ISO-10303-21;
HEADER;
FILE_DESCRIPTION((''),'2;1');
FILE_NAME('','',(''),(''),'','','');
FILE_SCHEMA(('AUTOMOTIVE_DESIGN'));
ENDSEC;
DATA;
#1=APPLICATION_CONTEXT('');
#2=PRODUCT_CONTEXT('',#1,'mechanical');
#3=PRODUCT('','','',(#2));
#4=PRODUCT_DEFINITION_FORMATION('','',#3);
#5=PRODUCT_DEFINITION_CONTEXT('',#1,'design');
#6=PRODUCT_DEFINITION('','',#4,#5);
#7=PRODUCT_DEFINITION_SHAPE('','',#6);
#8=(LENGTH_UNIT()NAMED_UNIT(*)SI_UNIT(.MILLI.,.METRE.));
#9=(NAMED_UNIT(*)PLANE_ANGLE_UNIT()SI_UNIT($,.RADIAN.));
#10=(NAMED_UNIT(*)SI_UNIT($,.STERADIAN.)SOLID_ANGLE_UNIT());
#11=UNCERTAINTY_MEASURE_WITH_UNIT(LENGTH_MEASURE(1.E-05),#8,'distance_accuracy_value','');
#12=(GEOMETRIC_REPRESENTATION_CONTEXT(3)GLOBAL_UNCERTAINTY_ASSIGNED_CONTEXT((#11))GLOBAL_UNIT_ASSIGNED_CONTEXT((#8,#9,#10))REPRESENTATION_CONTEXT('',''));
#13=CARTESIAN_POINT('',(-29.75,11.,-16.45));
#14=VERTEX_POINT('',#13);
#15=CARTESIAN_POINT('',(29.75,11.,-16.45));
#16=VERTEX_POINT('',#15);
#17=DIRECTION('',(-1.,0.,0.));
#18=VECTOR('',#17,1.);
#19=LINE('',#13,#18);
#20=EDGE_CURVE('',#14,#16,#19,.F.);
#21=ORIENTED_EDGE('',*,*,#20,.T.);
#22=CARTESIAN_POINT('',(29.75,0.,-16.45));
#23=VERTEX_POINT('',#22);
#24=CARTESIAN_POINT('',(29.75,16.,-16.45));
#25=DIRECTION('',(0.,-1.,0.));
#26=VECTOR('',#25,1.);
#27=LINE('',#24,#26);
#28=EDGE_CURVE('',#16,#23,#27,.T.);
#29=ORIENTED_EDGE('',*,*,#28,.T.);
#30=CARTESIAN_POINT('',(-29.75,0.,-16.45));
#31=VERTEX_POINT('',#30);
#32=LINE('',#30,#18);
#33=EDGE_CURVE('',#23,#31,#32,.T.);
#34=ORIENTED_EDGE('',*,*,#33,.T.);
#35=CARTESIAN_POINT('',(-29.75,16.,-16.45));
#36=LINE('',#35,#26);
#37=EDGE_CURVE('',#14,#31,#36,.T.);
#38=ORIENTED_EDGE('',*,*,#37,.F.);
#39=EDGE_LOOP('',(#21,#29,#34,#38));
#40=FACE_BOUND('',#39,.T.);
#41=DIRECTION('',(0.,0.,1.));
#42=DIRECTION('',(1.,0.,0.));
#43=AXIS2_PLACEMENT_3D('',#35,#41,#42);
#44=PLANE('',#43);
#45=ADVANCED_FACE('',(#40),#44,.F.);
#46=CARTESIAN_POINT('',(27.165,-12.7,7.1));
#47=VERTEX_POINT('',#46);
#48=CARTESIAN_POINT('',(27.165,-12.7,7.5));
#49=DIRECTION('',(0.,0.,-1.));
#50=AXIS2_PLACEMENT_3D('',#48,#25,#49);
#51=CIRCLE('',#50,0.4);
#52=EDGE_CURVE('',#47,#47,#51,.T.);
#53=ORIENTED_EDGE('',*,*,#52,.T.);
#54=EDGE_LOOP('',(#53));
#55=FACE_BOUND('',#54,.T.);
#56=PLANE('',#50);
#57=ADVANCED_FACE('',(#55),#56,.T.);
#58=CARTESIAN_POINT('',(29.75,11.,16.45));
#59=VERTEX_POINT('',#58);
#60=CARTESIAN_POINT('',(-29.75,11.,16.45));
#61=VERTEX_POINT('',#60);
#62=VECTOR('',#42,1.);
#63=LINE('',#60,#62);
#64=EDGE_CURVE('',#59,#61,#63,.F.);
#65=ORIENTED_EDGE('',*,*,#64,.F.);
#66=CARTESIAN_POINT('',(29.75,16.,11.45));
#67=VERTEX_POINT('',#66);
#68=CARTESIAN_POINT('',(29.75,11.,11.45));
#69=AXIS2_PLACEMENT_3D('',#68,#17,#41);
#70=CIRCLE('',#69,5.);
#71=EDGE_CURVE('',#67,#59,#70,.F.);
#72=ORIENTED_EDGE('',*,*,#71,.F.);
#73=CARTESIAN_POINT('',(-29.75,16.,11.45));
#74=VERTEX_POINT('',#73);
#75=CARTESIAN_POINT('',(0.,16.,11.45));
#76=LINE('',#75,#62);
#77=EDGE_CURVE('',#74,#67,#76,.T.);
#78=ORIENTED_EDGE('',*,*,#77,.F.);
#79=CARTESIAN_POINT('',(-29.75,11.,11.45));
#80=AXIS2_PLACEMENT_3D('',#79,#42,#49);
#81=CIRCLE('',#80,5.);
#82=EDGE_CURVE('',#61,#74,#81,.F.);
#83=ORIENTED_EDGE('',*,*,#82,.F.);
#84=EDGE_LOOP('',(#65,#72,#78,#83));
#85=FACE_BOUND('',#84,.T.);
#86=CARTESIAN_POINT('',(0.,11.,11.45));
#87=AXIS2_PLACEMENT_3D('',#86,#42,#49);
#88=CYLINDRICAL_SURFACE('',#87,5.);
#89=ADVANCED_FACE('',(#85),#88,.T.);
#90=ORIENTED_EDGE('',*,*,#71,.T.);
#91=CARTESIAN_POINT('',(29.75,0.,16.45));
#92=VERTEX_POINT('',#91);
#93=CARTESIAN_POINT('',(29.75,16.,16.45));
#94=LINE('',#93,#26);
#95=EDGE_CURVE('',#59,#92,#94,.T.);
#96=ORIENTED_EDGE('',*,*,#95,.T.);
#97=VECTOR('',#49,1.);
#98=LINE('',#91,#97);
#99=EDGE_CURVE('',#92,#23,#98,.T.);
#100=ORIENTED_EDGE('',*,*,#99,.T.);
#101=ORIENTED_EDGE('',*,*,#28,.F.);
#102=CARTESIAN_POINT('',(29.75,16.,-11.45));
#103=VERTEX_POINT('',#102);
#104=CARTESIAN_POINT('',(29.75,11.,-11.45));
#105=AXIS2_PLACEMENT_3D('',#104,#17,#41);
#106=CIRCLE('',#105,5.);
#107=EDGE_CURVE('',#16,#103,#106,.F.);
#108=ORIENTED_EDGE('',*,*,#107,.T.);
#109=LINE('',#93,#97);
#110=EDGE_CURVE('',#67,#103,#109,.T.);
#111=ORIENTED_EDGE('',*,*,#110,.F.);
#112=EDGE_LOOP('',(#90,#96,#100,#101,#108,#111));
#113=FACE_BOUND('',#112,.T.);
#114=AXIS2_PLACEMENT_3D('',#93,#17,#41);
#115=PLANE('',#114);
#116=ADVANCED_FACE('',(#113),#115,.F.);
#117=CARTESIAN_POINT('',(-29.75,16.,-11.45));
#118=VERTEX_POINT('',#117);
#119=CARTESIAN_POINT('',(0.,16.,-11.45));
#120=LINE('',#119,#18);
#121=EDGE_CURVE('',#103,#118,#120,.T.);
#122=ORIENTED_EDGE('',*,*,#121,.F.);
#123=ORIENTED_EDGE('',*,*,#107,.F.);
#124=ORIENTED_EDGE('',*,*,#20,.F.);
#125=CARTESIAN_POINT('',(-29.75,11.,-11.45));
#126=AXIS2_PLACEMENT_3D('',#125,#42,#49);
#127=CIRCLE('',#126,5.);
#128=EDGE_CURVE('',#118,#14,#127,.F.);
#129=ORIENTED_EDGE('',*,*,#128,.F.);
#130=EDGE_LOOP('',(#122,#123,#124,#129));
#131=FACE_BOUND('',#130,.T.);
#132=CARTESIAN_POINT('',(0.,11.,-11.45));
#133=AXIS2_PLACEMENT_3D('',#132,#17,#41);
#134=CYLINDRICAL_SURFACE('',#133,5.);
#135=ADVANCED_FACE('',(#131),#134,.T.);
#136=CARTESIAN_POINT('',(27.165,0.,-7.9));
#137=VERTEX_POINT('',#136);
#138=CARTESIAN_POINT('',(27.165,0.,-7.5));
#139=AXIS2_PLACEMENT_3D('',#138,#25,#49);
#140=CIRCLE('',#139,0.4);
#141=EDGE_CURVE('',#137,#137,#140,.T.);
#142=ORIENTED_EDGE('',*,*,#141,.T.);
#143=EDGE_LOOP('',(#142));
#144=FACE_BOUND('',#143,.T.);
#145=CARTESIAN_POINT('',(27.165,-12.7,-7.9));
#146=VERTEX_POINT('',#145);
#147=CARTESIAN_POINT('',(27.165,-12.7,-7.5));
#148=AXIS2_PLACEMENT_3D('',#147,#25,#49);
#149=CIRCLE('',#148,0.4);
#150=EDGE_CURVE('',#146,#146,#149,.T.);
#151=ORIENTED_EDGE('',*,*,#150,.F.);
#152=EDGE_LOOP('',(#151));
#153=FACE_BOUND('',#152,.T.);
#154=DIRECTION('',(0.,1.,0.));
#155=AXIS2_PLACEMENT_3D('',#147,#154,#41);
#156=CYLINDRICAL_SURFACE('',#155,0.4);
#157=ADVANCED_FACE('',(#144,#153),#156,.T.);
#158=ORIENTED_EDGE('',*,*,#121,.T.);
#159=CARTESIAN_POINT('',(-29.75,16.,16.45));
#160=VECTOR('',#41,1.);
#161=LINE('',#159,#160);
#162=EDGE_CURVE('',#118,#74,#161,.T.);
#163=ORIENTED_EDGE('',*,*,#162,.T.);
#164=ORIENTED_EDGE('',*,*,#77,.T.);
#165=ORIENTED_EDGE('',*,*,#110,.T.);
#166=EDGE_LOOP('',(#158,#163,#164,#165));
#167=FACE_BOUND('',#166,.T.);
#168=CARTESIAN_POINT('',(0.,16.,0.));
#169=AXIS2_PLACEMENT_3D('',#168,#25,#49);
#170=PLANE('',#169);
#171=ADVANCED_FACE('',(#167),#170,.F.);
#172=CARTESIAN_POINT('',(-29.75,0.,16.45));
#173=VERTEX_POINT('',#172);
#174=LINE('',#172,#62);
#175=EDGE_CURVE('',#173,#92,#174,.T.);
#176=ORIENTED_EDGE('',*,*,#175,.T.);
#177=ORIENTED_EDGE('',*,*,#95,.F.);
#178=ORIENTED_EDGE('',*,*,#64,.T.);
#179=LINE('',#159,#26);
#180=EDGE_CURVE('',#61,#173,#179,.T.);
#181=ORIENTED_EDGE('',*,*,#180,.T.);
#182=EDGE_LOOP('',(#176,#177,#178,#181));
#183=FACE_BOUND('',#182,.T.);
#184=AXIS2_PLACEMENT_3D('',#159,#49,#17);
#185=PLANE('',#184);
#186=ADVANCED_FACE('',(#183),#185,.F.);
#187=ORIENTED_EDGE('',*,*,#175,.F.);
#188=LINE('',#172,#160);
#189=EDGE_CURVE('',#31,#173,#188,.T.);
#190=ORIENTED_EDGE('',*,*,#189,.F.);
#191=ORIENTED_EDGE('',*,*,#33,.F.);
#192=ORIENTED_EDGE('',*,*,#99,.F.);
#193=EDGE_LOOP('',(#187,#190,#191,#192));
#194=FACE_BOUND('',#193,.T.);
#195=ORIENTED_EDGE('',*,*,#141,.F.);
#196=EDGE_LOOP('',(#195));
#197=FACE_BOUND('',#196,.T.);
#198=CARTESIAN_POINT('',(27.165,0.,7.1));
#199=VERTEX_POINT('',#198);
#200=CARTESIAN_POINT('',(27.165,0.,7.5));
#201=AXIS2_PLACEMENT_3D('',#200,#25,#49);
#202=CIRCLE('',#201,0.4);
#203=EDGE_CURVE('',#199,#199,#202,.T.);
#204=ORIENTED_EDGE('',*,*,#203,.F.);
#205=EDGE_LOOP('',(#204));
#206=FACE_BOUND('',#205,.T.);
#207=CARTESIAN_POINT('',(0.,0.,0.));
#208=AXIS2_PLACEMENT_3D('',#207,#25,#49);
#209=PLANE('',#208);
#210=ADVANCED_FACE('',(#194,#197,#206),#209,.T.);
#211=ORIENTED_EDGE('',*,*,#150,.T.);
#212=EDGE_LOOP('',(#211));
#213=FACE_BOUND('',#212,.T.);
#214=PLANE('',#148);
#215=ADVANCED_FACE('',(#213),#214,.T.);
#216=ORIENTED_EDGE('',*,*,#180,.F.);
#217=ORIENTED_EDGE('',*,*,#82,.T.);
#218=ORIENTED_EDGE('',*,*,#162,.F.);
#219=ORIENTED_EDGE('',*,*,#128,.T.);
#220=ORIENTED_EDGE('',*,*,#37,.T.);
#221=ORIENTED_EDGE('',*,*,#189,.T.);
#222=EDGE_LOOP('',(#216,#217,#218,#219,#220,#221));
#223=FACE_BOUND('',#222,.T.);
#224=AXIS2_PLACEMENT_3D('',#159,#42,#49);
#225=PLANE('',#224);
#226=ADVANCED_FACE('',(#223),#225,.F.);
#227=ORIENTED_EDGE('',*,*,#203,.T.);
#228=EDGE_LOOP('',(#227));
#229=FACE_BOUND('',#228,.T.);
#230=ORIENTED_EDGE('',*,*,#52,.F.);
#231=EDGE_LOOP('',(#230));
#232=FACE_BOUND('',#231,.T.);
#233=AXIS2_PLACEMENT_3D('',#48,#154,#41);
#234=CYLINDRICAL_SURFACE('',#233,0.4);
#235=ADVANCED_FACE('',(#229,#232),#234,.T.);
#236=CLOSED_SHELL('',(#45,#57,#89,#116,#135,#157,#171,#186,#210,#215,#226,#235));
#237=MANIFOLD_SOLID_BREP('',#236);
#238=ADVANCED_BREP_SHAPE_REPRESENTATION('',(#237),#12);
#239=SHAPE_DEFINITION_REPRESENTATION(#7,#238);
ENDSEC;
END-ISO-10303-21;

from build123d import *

# Parameters (mm, degrees)
SKETCH1_W           = 59.5
SKETCH1_H           = 32.9
BOSS_EXTRUDE1_DEPTH = 16
FILLET1_R           = 5
SKETCH2_R           = 0.4
BOSS_EXTRUDE2_DEPTH = 12.7


with BuildPart() as part:
    # Sketch1 → Boss-Extrude1 (new body)
    with BuildSketch(Plane(origin=(0, 0, 0), x_dir=(1, 0, 0), z_dir=(0, 1, 0))):
        Rectangle(SKETCH1_W, SKETCH1_H)
    extrude(amount=BOSS_EXTRUDE1_DEPTH)

    # Fillet1
    fillet1_edges = [part.edges().sort_by_distance(p)[0] for p in [
        (0, 16, 16.45),
        (0, 16, -16.45),
    ]]
    fillet(fillet1_edges, radius=FILLET1_R)

    # Sketch2 → Boss-Extrude2 (add)
    with BuildSketch(Plane.XZ):
        with Locations(Location((27.165, 7.5, 0), (0, 0, 270))):
            Circle(SKETCH2_R)
        with Locations(Location((27.165, -7.5, 0), (0, 0, 270))):
            Circle(SKETCH2_R)
    extrude(amount=BOSS_EXTRUDE2_DEPTH)


solid = part.part
